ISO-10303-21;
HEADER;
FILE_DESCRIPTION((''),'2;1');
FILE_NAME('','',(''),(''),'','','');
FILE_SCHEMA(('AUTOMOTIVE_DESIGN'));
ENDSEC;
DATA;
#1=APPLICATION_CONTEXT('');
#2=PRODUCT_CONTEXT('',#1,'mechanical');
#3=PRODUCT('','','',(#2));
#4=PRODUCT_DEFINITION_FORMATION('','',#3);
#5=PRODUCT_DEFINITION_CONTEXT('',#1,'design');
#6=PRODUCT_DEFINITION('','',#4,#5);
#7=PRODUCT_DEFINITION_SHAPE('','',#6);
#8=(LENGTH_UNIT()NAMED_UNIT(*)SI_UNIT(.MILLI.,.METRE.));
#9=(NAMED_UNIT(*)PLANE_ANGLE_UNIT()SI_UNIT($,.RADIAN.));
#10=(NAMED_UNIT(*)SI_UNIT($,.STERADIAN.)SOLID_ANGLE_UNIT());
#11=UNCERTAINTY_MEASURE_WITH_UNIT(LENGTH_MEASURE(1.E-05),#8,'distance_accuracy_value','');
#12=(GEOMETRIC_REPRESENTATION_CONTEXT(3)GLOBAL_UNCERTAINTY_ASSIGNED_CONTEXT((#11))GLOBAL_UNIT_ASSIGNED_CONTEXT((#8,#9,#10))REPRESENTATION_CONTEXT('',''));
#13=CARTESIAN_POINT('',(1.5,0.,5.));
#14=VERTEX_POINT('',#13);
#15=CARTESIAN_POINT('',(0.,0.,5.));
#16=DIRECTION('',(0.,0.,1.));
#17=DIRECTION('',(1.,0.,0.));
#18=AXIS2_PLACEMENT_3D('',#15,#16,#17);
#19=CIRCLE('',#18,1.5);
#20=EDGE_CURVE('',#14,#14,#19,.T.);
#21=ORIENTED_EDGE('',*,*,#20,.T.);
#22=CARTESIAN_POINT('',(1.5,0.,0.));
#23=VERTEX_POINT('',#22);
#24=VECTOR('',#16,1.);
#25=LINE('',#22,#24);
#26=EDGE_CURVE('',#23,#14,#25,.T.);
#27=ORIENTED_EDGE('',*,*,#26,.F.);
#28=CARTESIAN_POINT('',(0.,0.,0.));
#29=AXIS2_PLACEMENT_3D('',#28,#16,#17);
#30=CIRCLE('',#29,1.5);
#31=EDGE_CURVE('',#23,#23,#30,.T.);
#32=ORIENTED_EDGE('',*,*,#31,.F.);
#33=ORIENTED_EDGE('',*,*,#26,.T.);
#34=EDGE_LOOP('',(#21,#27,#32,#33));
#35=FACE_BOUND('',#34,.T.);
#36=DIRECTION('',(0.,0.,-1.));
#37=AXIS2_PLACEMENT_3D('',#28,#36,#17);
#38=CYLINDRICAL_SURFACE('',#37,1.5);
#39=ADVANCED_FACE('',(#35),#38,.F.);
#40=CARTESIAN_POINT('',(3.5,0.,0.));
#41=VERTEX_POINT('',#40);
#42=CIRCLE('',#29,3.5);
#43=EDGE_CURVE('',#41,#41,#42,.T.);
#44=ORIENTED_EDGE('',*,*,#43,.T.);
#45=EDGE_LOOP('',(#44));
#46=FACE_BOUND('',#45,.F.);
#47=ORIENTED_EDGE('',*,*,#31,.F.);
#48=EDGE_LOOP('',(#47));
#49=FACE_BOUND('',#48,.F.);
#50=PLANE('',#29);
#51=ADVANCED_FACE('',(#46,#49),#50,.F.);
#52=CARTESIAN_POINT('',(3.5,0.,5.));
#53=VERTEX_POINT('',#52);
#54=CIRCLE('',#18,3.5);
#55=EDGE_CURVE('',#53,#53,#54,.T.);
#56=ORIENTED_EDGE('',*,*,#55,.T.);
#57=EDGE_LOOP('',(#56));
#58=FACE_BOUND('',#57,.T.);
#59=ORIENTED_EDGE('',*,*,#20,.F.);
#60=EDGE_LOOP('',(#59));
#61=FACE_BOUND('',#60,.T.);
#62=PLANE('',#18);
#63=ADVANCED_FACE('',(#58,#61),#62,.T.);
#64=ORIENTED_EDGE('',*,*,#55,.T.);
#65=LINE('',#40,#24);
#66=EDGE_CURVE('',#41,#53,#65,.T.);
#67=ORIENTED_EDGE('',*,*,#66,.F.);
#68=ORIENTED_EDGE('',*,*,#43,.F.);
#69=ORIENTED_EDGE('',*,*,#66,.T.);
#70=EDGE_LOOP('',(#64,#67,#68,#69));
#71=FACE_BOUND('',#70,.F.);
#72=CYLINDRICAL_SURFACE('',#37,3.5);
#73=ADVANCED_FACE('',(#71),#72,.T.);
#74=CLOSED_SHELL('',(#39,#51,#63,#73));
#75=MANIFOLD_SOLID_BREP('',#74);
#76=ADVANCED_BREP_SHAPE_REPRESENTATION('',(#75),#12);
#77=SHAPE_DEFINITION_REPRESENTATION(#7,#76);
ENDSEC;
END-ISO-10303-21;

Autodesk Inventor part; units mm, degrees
ref_plane "YZ Plane" through (0, 0, 0) normal (1, 0, 0) x (0, 1, 0)
ref_plane "XZ Plane" through (0, 0, 0) normal (0, 1, 0) x (-1, 0, 0)
ref_plane "XY Plane" through (0, 0, 0) normal (0, 0, 1) x (1, 0, 0)
sketch "Sketch1" plane through (0, 0, 0) normal (0, 0, 1) x (1, 0, 0)
  circle A0 centre (0, 0) radius 1.5
  circle A1 centre (0, 0) radius 3.5
  dimension "d0" = 3
  dimension "d1" = 7
extrude "Extrusion1" add sketch "Sketch1" along normal blind 5
properties part number "topito" material "Acrylic"
